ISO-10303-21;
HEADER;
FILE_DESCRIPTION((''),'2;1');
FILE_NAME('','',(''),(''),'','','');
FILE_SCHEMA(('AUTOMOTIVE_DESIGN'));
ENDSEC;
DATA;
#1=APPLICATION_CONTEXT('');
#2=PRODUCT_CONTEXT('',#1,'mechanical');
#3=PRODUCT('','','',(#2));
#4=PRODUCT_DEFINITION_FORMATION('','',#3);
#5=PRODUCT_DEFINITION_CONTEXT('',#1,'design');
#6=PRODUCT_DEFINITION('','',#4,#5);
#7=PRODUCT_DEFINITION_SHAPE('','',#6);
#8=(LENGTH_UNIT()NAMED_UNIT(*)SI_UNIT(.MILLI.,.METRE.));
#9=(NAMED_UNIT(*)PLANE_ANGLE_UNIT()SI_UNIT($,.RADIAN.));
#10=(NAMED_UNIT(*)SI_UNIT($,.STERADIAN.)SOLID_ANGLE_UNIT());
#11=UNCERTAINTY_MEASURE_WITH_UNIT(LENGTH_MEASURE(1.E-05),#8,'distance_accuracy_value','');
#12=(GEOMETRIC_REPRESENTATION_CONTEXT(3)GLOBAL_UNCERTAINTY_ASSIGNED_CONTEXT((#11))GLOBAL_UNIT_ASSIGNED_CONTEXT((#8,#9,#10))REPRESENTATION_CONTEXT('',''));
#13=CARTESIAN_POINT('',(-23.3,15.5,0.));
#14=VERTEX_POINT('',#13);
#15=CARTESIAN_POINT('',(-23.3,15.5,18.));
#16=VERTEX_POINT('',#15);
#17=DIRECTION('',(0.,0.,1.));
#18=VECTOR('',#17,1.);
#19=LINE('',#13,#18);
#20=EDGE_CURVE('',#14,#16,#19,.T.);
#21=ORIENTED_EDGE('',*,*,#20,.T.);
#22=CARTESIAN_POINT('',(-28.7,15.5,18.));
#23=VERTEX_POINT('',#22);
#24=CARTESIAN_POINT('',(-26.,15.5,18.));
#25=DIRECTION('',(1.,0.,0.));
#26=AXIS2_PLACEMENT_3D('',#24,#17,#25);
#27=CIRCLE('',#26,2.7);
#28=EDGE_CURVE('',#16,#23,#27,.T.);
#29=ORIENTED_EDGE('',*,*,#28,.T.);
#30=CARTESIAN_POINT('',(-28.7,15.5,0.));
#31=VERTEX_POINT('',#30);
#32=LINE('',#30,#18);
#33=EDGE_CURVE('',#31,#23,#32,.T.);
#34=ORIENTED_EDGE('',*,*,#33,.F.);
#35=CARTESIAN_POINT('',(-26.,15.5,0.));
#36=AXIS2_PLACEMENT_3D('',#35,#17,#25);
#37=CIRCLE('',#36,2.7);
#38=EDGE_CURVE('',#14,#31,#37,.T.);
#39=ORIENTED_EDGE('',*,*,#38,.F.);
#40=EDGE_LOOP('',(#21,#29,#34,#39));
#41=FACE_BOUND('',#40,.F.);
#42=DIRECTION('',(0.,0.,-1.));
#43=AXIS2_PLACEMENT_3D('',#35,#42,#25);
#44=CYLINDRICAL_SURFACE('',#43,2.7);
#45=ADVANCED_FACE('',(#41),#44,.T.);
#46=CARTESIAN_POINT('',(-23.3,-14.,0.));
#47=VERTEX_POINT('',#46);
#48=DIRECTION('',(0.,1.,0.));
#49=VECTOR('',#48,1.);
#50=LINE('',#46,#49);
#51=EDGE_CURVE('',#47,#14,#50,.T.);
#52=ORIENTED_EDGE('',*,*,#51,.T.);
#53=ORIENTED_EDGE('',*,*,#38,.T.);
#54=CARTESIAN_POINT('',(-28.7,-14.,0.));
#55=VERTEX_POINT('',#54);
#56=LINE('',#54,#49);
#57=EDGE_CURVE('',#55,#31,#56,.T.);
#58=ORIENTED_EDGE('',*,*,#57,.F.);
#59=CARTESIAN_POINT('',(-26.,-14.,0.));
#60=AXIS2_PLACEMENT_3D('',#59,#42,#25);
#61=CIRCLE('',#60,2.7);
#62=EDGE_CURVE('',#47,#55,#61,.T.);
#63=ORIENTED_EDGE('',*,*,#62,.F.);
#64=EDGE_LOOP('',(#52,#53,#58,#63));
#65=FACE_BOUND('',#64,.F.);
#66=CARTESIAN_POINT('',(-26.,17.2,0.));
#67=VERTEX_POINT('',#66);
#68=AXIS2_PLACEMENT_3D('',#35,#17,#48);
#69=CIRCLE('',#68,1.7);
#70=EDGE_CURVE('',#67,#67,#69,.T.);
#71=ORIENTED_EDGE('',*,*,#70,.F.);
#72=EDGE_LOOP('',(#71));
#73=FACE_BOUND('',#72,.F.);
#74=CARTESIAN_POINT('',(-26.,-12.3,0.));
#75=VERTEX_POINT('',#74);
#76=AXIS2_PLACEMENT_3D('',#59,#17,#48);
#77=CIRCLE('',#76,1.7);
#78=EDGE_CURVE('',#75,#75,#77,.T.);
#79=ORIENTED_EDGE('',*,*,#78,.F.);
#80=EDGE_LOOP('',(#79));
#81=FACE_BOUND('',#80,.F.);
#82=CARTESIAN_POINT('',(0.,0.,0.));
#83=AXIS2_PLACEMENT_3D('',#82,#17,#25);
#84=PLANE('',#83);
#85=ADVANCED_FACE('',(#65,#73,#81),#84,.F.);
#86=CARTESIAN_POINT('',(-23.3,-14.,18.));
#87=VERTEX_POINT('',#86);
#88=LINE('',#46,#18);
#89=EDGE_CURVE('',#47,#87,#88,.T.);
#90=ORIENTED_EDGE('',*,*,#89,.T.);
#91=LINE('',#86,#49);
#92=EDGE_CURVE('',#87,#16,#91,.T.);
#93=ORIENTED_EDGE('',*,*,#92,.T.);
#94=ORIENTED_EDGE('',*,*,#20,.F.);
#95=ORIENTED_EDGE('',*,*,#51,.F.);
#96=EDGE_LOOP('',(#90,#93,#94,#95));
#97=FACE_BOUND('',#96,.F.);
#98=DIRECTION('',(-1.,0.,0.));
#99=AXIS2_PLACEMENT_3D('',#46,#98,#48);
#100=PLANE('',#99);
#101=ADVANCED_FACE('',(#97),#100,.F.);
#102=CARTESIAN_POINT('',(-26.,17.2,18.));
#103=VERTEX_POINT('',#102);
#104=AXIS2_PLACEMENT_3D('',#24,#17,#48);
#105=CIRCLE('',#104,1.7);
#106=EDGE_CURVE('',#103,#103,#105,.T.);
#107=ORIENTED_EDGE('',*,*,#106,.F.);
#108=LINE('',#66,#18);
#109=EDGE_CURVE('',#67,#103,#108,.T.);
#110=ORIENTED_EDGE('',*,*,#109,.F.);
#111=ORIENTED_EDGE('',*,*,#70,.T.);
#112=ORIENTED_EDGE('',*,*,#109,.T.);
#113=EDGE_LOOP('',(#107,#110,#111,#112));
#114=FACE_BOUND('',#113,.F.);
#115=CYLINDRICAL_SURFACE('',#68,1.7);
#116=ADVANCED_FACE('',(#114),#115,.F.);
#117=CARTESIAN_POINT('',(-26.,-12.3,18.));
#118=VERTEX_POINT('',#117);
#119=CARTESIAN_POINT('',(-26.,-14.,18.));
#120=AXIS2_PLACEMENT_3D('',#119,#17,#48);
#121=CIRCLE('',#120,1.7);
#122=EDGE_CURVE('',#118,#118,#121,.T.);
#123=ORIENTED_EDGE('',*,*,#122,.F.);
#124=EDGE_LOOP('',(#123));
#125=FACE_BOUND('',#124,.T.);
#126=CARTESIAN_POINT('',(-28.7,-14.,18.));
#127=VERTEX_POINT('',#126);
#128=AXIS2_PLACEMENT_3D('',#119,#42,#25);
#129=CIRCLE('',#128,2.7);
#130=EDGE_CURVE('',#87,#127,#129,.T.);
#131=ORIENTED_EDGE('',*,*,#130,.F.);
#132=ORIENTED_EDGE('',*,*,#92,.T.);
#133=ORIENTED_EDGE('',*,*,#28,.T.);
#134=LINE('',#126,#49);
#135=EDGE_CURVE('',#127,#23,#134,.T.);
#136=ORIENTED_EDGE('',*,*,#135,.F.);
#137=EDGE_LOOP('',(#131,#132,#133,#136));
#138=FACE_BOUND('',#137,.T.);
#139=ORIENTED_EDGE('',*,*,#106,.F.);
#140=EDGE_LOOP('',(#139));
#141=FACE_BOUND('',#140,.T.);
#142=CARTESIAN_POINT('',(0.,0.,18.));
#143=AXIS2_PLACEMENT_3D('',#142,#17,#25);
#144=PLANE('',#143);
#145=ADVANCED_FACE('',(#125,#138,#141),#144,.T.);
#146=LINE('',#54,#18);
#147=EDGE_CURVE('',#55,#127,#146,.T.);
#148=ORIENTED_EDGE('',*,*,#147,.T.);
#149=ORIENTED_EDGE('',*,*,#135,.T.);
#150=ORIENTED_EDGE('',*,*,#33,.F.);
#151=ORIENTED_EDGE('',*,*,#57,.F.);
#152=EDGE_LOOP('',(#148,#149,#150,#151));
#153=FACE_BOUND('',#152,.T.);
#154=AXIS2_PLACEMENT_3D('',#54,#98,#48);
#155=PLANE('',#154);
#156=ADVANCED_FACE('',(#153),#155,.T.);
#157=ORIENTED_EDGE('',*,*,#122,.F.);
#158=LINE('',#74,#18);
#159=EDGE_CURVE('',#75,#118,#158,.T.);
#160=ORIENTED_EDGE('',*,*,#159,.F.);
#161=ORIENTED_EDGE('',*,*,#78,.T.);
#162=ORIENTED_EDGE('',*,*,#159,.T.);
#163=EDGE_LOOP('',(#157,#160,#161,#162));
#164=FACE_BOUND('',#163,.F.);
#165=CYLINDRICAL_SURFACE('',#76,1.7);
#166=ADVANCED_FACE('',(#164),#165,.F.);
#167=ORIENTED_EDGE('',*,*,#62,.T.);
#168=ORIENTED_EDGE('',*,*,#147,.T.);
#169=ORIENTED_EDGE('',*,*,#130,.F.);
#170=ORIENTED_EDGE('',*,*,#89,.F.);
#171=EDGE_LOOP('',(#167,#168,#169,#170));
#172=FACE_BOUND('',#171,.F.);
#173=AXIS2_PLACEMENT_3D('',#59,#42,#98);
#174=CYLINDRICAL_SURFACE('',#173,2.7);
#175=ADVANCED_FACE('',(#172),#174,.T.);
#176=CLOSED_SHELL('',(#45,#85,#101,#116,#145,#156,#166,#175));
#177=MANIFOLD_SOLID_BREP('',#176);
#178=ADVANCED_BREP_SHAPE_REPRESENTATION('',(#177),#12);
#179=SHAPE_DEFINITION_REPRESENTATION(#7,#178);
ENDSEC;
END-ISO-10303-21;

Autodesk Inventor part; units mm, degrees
ref_plane "YZ Plane" through (0, 0, 0) normal (1, 0, 0) x (0, 1, 0)
ref_plane "XZ Plane" through (0, 0, 0) normal (0, 1, 0) x (-1, 0, 0)
ref_plane "XY Plane" through (0, 0, 0) normal (0, 0, 1) x (1, 0, 0)
ref_plane "Work Plane1" through (0, 0, 0) normal (0, 0, 1) x (1, 0, 0)
sketch "Sketch1" plane through (0, 0, 0) normal (0, 0, 1) x (1, 0, 0)
  circle A0 centre (-26, -14) radius 1.7 projected
  circle A1 centre (-26, 15.5) radius 1.7 projected
  arc A2 (-28.7, -14) -> (-23.3, -14) centre (-26, -14) ccw
  arc A3 (-23.3, 15.5) -> (-28.7, 15.5) centre (-26, 15.5) ccw
  line L0 (-28.7, -14) -> (-28.7, 15.5)
  line L1 (-26, -14) -> (-28.7, -14) construction
  line L2 (-203.2094, -16) -> (37.4788, -16) construction
  line L3 (-27.8138, -16) -> (-106.7251, -16)
  line L4 (-23.3, -14) -> (-23.3, 15.5)
  point P0 (0, 0)
  dimension "d12" = 16
  dimension "d13" = 1
extrude "Extrusion1" add sketch "Sketch1" along normal blind 18 contours A0 | A1 | L0 A3 L4 A2
hole "Hole1" at (-26, 15.5, 0) at (-26, -14, 0) direction (0, 0, 1) diameter 3.4 end through all clearance for "Countersunk Head GOST 12876-67" size "M3" standard "GOST"
properties part number "plate_washer_1"
